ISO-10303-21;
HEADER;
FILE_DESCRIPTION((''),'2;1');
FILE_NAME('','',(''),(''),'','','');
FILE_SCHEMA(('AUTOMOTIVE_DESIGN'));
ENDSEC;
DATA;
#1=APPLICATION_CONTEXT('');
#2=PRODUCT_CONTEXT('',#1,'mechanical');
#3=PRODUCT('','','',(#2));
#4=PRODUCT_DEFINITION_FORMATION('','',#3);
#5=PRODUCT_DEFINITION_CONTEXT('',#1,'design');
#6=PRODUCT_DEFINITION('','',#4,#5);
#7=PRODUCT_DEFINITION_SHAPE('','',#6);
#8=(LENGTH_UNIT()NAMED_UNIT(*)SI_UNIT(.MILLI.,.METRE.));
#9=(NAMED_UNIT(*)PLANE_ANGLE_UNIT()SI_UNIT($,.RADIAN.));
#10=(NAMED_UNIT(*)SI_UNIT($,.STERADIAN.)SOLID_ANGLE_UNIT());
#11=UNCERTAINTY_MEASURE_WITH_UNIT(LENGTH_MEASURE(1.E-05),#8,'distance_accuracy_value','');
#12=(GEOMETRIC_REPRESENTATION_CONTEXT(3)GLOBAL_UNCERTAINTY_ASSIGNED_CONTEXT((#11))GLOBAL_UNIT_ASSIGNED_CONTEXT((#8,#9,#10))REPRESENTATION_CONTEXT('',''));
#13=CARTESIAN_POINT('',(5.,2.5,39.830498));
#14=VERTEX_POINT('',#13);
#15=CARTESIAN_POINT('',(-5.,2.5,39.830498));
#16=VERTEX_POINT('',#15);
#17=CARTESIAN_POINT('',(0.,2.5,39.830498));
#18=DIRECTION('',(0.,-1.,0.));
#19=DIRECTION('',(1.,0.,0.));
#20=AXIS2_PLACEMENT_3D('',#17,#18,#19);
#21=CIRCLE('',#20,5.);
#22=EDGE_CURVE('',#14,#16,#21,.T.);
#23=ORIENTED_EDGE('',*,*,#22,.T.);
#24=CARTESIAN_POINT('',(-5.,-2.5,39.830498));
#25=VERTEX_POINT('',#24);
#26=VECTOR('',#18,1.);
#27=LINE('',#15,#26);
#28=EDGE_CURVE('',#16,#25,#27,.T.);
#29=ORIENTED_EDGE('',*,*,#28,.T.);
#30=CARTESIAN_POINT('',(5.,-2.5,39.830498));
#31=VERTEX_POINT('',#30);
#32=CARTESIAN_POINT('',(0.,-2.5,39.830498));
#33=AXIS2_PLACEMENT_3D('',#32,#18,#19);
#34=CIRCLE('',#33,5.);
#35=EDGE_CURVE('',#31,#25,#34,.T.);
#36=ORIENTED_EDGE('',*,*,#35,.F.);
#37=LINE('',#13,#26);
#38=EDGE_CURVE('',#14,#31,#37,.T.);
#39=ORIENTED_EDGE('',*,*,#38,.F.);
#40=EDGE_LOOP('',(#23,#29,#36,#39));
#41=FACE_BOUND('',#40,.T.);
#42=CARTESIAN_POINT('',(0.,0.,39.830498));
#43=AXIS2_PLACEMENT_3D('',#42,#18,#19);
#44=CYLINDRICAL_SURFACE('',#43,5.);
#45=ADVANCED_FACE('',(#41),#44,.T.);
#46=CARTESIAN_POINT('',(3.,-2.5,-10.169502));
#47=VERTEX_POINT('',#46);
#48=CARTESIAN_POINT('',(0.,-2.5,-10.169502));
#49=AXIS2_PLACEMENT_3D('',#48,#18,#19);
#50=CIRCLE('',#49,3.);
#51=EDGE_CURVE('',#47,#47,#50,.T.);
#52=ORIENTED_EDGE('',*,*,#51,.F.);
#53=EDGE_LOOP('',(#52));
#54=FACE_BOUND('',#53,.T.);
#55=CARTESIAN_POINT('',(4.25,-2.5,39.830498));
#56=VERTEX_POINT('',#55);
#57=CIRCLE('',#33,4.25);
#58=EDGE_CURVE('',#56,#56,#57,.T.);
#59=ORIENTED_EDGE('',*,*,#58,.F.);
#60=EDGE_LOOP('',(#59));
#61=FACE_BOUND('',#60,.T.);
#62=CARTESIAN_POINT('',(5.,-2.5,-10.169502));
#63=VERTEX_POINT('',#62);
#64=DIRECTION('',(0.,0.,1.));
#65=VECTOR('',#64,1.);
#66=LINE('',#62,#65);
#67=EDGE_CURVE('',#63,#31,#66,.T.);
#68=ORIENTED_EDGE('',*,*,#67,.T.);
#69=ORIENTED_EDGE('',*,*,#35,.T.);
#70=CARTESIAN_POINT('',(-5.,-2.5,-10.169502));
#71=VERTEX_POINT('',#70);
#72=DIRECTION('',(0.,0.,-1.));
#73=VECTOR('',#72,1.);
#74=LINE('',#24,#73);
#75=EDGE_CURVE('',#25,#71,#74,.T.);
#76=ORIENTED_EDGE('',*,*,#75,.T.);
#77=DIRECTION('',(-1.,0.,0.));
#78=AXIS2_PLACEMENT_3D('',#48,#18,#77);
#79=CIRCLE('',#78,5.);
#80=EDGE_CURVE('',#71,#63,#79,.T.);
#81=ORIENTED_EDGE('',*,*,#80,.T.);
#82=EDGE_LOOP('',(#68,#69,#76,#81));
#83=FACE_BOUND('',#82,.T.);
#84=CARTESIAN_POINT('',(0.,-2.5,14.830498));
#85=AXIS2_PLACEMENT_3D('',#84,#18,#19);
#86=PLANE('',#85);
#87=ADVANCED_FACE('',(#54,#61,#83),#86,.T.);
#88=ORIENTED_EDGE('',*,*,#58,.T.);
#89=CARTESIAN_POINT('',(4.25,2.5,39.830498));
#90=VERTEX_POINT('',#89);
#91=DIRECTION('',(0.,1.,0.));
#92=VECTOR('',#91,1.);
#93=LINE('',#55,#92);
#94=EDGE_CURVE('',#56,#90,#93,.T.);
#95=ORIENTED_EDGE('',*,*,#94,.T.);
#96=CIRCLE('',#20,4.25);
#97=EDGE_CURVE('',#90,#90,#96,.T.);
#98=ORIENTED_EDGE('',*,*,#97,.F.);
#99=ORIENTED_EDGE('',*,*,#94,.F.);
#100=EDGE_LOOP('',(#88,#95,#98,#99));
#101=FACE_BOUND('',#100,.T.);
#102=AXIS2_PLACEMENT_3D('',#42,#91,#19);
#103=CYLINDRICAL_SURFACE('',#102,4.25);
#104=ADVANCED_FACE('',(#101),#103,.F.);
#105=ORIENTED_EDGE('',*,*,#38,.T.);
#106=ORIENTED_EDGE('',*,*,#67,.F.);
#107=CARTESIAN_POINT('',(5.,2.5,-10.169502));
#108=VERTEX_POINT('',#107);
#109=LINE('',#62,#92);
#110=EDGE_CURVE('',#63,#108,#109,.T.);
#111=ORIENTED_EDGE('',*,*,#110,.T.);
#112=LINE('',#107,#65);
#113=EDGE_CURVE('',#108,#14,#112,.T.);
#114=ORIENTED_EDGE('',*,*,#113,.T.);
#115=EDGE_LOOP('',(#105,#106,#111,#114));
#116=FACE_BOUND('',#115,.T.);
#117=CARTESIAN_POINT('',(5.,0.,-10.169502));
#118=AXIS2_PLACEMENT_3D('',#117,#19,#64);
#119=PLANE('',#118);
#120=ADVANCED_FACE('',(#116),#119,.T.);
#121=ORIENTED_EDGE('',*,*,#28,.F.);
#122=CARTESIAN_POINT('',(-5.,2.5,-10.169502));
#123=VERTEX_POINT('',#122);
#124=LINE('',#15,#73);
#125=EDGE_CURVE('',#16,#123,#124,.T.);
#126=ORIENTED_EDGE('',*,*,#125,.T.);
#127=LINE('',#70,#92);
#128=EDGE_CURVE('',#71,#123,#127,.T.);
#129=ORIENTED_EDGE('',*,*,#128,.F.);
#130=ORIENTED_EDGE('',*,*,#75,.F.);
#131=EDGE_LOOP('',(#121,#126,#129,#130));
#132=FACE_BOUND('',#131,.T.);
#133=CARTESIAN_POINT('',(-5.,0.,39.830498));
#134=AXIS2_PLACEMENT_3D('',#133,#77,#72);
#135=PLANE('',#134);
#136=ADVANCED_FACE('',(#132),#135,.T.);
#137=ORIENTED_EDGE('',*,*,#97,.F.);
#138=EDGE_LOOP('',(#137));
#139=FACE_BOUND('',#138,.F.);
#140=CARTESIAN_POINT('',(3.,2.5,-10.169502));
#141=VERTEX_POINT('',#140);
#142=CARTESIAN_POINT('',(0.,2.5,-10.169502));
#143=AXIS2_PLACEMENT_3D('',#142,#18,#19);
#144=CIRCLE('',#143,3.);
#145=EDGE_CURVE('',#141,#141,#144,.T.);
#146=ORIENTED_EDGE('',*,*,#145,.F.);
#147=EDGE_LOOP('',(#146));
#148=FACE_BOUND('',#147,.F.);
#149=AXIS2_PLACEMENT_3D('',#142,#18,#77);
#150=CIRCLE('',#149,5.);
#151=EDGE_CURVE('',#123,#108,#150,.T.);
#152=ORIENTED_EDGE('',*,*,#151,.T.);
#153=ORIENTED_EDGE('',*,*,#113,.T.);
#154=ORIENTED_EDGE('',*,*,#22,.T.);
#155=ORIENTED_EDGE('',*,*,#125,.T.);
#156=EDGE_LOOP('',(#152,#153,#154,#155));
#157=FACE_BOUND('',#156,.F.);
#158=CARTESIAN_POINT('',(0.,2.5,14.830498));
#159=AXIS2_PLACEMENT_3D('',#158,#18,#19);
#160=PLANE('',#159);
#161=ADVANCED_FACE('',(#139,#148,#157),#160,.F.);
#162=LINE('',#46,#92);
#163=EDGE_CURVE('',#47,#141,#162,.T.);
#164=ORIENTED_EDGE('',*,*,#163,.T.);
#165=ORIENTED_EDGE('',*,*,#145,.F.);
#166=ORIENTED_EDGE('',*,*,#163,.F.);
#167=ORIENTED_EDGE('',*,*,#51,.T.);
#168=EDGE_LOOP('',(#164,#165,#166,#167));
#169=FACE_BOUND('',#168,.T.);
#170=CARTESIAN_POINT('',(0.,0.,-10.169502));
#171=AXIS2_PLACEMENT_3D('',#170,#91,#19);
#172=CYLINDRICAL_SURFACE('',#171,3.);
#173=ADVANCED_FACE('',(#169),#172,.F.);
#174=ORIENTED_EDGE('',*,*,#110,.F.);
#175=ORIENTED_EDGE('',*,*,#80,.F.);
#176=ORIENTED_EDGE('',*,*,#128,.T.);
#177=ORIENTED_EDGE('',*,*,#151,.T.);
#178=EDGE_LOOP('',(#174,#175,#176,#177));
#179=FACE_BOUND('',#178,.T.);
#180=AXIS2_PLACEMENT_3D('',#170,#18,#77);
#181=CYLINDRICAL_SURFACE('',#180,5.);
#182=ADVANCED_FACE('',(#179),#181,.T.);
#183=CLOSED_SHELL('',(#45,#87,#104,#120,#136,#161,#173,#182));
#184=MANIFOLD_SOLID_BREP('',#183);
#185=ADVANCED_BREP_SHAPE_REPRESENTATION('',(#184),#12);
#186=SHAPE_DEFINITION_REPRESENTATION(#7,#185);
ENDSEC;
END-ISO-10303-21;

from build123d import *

# Parameters (mm, degrees)
F0_R     = 3
F0_R_2   = 4.25
F1_DEPTH = 2.5


with BuildPart() as f1:
    # F0 (on Front) → F1 (new body, symmetric)
    with BuildSketch(Plane.XZ):
        with BuildLine():
            Line((5, -10.169502), (5, 39.830498))
            ThreePointArc((5, 39.830498), (0, 44.830498), (-5, 39.830498))
            Line((-5, 39.830498), (-5, -10.169502))
            ThreePointArc((-5, -10.169502), (0, -15.169502), (5, -10.169502))
        make_face()
        with Locations((0, -10.169502)):
            Circle(F0_R, mode=Mode.SUBTRACT)
        with Locations((0, 39.830498)):
            Circle(F0_R_2, mode=Mode.SUBTRACT)
    extrude(amount=F1_DEPTH, both=True)


solid = f1.part
